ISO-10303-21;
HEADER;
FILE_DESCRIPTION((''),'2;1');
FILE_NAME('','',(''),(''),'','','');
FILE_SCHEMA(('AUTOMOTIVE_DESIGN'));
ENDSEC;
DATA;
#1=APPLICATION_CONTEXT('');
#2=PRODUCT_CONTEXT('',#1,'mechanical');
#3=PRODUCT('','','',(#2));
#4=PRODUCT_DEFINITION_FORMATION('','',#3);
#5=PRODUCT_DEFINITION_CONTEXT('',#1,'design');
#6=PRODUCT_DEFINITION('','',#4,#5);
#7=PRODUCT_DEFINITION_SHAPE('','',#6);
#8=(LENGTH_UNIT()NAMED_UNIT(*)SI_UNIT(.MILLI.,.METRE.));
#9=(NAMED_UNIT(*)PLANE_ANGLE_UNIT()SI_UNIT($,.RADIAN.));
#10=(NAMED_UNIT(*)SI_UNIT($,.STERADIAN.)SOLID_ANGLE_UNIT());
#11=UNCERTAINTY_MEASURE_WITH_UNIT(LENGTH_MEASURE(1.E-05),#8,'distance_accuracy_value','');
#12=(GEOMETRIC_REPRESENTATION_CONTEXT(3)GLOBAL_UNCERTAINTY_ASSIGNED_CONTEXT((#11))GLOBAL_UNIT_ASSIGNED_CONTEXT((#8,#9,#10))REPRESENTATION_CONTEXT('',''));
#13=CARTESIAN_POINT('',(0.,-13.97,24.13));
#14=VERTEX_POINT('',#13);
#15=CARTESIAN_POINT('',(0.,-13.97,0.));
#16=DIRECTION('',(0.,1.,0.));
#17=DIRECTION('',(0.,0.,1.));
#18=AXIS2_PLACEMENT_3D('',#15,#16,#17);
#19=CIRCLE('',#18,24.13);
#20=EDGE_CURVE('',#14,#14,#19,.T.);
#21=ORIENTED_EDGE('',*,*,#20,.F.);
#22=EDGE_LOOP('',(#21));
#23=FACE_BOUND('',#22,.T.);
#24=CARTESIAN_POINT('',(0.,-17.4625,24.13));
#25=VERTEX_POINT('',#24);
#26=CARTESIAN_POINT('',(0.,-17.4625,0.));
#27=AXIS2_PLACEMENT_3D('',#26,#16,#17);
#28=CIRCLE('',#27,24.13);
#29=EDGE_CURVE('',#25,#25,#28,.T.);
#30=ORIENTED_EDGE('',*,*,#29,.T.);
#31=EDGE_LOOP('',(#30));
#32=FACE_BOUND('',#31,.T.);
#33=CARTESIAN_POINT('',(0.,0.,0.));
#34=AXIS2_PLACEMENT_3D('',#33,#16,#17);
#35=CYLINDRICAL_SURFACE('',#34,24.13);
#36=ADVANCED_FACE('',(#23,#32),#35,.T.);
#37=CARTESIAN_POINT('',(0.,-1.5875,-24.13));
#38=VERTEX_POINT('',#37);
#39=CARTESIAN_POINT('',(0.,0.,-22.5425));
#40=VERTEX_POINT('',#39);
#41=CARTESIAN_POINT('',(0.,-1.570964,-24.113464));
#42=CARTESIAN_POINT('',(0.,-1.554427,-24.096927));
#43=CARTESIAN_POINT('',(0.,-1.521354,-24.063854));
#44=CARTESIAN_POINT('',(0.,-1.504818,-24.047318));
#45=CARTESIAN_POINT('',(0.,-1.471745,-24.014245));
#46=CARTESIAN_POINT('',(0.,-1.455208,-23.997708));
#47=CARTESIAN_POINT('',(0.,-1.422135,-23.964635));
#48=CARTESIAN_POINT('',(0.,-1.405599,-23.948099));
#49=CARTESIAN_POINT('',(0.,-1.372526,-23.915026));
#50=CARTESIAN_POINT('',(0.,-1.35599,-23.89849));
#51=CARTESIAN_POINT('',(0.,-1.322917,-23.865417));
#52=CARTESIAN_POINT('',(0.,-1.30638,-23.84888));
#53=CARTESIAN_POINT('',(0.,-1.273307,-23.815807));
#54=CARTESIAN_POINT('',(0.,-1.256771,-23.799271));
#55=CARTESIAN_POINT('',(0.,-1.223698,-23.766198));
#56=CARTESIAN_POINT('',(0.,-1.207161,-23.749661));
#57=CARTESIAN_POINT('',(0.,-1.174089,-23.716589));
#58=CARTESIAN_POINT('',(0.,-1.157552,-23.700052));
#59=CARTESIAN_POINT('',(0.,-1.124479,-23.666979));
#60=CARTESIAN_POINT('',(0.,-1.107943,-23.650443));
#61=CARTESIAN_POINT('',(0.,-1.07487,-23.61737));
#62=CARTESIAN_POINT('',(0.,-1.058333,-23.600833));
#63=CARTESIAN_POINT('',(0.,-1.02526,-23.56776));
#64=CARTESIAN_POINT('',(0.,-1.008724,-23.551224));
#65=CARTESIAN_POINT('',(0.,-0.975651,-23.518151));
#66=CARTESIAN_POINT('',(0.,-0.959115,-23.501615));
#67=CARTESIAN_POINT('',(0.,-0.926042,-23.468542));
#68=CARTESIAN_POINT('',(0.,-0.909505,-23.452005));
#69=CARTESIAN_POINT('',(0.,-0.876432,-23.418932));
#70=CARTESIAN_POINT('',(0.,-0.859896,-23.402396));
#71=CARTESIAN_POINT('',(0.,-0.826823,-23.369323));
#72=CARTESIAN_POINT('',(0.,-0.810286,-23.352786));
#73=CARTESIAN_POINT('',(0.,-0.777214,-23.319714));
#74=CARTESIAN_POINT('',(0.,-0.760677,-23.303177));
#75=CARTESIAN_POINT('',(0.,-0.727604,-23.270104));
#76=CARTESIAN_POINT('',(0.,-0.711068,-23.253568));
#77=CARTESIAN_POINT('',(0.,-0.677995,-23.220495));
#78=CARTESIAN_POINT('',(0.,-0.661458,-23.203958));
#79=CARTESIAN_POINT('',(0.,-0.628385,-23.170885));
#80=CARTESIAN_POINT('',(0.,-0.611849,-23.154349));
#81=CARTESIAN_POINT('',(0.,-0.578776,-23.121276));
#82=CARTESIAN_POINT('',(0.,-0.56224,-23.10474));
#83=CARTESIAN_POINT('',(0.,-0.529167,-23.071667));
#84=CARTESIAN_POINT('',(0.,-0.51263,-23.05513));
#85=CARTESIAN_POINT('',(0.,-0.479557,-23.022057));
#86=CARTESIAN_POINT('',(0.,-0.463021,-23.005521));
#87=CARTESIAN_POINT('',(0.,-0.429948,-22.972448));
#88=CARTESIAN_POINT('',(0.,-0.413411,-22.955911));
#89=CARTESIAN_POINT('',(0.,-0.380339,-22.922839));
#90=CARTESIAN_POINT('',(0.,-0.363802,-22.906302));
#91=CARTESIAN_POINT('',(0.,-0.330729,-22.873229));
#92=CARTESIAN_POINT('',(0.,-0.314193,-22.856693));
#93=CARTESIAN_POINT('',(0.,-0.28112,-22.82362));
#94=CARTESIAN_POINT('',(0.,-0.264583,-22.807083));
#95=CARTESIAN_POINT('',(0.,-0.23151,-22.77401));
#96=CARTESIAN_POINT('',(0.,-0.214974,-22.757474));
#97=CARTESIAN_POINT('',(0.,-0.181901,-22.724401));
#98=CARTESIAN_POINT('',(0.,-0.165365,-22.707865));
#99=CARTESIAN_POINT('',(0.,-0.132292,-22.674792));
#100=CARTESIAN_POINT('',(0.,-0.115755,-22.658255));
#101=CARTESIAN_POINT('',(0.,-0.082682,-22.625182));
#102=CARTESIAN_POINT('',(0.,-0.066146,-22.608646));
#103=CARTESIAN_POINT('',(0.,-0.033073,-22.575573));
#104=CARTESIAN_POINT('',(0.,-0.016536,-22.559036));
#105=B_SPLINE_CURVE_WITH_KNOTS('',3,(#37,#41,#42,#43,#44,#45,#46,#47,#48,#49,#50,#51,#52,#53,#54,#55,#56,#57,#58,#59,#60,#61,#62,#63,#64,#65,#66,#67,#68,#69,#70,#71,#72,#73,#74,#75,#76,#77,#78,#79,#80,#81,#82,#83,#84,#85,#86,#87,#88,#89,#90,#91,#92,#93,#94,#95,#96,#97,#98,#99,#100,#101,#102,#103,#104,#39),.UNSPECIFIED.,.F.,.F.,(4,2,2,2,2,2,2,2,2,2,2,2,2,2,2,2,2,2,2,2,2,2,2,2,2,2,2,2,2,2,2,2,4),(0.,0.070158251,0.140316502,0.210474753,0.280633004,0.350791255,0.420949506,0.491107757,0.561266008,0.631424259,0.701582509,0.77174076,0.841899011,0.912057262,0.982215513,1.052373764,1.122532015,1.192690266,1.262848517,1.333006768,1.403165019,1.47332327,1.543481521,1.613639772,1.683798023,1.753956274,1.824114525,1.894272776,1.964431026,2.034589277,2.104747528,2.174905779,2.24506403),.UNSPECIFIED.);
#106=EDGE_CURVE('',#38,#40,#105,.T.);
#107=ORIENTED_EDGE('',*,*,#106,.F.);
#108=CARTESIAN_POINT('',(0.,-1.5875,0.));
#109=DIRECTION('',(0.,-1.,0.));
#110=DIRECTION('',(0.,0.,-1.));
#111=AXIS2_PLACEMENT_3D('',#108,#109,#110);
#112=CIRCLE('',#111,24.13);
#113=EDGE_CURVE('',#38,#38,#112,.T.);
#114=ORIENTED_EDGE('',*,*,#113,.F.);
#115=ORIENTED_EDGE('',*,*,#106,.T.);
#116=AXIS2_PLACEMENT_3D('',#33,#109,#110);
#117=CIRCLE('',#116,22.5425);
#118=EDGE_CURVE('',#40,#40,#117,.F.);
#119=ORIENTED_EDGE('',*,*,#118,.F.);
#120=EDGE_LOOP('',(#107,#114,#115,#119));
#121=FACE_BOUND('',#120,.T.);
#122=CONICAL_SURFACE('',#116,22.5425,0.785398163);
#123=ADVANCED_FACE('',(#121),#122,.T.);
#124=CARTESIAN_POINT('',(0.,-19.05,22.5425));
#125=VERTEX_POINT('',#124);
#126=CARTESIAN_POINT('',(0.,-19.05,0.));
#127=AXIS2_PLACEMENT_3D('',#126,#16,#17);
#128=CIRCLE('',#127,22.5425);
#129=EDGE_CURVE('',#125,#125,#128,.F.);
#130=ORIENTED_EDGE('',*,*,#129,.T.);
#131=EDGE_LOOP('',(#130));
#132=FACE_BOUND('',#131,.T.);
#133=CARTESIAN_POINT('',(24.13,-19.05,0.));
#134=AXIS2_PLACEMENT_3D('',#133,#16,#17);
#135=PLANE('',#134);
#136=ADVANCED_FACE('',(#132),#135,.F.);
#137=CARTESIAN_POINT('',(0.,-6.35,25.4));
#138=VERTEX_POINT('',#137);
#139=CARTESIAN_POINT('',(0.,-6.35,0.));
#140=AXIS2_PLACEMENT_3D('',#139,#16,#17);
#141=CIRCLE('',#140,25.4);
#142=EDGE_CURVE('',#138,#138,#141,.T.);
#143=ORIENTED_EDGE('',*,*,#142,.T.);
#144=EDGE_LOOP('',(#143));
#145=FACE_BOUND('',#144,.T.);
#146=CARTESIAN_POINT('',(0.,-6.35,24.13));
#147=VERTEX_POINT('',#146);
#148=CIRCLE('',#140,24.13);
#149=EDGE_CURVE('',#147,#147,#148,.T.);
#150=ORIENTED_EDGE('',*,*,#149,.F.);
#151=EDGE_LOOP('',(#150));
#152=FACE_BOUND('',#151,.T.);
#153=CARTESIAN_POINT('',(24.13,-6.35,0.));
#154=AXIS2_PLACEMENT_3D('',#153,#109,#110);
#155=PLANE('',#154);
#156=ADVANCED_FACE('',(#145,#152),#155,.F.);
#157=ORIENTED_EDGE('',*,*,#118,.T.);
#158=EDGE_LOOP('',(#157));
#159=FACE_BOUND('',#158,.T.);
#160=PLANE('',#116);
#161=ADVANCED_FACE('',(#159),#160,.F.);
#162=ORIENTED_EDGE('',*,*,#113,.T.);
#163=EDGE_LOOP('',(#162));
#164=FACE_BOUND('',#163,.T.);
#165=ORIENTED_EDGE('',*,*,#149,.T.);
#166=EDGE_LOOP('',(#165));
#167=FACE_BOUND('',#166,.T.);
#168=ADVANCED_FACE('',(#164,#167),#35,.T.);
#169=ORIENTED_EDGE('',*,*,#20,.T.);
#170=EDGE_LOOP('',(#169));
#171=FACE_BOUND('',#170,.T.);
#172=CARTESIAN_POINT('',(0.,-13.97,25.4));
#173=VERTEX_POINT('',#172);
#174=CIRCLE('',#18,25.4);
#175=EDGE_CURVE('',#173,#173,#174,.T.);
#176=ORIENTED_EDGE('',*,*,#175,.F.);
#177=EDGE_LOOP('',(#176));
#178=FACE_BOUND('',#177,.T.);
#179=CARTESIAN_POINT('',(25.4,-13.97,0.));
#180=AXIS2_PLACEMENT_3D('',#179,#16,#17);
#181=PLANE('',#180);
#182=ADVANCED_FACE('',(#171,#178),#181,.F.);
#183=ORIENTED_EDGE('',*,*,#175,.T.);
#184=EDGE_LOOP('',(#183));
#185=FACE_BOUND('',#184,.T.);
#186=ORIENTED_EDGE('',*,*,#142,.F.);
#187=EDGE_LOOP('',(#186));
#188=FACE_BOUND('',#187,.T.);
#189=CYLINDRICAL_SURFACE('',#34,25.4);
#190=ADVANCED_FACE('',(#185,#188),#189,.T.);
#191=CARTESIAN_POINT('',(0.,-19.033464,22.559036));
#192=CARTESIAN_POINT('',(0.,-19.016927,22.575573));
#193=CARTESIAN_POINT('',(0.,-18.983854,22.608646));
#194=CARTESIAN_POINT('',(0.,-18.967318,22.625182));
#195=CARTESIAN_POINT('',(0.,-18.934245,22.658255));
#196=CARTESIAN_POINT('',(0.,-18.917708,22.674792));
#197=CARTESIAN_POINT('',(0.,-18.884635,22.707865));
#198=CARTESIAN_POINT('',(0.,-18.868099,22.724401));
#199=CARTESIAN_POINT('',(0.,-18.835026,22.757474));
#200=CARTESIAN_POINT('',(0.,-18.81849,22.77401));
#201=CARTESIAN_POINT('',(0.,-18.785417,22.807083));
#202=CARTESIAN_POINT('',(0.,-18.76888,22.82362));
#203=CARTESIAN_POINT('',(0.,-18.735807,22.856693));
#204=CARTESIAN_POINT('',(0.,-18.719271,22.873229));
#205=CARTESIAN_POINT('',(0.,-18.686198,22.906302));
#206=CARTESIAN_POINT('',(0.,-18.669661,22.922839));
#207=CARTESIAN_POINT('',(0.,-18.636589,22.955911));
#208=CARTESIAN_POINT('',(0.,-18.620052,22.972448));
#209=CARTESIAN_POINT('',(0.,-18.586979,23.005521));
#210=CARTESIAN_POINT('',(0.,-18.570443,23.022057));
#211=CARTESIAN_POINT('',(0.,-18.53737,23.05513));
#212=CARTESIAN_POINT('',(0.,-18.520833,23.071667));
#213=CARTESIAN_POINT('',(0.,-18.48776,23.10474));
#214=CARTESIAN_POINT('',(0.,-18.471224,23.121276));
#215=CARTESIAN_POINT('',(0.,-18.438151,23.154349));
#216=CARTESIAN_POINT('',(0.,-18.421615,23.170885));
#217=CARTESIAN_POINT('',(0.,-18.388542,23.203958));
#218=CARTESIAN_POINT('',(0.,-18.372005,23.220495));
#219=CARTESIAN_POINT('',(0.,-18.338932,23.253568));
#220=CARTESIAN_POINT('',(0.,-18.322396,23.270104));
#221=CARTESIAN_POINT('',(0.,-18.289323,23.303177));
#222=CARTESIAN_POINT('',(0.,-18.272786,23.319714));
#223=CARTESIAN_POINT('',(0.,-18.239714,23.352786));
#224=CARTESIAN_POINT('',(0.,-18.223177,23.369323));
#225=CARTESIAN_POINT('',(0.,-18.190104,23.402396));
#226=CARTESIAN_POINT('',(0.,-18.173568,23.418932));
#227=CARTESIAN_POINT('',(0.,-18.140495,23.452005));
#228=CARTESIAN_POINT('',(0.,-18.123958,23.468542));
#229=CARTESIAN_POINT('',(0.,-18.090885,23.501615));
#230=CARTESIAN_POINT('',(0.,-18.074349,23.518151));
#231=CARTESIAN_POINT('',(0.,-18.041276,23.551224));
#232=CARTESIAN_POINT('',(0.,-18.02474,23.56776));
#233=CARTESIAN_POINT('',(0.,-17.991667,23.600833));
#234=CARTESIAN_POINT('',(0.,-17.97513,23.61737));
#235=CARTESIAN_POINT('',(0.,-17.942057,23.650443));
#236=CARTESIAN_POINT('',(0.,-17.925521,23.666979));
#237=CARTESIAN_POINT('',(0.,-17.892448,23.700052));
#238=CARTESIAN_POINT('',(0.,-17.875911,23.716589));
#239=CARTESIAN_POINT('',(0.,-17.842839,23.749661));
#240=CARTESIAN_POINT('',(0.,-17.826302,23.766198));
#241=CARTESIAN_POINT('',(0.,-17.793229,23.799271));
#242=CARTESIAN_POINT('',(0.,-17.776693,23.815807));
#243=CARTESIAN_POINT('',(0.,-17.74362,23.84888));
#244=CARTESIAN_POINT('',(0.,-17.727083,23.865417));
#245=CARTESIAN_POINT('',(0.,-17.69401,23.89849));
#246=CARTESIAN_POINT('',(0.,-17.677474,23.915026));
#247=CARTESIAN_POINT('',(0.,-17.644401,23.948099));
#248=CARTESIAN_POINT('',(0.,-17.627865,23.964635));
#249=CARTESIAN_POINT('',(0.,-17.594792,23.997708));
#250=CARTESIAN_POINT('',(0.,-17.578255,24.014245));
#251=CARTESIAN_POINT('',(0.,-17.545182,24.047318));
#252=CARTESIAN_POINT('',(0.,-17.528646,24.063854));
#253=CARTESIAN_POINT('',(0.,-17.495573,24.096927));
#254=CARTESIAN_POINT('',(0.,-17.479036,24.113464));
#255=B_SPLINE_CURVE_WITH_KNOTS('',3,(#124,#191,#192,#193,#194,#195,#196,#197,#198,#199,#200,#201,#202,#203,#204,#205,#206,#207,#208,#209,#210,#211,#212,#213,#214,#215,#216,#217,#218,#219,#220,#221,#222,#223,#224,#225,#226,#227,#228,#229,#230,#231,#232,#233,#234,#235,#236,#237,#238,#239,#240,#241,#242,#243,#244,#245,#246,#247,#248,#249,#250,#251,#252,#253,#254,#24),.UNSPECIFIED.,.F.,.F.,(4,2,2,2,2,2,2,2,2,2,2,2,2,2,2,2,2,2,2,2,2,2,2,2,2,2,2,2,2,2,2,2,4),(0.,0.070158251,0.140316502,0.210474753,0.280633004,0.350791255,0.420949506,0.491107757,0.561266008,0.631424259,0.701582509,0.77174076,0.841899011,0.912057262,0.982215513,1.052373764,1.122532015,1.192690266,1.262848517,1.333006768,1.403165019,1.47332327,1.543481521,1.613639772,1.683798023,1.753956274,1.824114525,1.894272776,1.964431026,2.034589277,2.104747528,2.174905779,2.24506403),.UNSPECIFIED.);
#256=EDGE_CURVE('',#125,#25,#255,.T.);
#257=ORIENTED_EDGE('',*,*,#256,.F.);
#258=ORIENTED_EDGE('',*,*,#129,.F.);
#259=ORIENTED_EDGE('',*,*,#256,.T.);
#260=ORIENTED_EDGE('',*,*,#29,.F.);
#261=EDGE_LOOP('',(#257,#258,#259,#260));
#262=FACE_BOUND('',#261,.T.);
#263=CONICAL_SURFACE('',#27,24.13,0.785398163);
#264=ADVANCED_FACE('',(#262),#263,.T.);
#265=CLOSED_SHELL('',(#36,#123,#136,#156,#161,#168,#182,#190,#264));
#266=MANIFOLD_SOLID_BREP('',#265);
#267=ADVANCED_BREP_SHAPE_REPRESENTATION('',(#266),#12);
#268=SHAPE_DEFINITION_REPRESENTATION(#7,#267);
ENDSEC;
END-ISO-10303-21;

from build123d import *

# Parameters (mm, degrees)
LOX_INSTALL_SIZE    = 1.5875
O_RING_INSTALL_SIZE = 1.5875


with BuildPart() as part:
    # Sketch1 → Revolve1 (revolve)
    with BuildSketch(Plane.XY, mode=Mode.PRIVATE) as revolve1_sk:
        Polygon((0, 0), (24.13, 0), (24.13, -6.35), (25.4, -6.35), (25.4, -13.97), (24.13, -13.97), (24.13, -19.05), (0, -19.05), align=None)
    revolve(revolve1_sk.sketch.rotate(Axis((0, 0, 0), (0, -1, 0)), 90), axis=Axis((0, 0, 0), (0, -1, 0)))

    # lox install
    lox_install_edges = [part.edges().sort_by_distance(p)[0] for p in [
        (0, 0, -24.13),
    ]]
    chamfer(lox_install_edges, length=LOX_INSTALL_SIZE)

    # o-ring install
    o_ring_install_edges = [part.edges().sort_by_distance(p)[0] for p in [
        (0, -19.05, -24.13),
    ]]
    chamfer(o_ring_install_edges, length=O_RING_INSTALL_SIZE)


solid = part.part
